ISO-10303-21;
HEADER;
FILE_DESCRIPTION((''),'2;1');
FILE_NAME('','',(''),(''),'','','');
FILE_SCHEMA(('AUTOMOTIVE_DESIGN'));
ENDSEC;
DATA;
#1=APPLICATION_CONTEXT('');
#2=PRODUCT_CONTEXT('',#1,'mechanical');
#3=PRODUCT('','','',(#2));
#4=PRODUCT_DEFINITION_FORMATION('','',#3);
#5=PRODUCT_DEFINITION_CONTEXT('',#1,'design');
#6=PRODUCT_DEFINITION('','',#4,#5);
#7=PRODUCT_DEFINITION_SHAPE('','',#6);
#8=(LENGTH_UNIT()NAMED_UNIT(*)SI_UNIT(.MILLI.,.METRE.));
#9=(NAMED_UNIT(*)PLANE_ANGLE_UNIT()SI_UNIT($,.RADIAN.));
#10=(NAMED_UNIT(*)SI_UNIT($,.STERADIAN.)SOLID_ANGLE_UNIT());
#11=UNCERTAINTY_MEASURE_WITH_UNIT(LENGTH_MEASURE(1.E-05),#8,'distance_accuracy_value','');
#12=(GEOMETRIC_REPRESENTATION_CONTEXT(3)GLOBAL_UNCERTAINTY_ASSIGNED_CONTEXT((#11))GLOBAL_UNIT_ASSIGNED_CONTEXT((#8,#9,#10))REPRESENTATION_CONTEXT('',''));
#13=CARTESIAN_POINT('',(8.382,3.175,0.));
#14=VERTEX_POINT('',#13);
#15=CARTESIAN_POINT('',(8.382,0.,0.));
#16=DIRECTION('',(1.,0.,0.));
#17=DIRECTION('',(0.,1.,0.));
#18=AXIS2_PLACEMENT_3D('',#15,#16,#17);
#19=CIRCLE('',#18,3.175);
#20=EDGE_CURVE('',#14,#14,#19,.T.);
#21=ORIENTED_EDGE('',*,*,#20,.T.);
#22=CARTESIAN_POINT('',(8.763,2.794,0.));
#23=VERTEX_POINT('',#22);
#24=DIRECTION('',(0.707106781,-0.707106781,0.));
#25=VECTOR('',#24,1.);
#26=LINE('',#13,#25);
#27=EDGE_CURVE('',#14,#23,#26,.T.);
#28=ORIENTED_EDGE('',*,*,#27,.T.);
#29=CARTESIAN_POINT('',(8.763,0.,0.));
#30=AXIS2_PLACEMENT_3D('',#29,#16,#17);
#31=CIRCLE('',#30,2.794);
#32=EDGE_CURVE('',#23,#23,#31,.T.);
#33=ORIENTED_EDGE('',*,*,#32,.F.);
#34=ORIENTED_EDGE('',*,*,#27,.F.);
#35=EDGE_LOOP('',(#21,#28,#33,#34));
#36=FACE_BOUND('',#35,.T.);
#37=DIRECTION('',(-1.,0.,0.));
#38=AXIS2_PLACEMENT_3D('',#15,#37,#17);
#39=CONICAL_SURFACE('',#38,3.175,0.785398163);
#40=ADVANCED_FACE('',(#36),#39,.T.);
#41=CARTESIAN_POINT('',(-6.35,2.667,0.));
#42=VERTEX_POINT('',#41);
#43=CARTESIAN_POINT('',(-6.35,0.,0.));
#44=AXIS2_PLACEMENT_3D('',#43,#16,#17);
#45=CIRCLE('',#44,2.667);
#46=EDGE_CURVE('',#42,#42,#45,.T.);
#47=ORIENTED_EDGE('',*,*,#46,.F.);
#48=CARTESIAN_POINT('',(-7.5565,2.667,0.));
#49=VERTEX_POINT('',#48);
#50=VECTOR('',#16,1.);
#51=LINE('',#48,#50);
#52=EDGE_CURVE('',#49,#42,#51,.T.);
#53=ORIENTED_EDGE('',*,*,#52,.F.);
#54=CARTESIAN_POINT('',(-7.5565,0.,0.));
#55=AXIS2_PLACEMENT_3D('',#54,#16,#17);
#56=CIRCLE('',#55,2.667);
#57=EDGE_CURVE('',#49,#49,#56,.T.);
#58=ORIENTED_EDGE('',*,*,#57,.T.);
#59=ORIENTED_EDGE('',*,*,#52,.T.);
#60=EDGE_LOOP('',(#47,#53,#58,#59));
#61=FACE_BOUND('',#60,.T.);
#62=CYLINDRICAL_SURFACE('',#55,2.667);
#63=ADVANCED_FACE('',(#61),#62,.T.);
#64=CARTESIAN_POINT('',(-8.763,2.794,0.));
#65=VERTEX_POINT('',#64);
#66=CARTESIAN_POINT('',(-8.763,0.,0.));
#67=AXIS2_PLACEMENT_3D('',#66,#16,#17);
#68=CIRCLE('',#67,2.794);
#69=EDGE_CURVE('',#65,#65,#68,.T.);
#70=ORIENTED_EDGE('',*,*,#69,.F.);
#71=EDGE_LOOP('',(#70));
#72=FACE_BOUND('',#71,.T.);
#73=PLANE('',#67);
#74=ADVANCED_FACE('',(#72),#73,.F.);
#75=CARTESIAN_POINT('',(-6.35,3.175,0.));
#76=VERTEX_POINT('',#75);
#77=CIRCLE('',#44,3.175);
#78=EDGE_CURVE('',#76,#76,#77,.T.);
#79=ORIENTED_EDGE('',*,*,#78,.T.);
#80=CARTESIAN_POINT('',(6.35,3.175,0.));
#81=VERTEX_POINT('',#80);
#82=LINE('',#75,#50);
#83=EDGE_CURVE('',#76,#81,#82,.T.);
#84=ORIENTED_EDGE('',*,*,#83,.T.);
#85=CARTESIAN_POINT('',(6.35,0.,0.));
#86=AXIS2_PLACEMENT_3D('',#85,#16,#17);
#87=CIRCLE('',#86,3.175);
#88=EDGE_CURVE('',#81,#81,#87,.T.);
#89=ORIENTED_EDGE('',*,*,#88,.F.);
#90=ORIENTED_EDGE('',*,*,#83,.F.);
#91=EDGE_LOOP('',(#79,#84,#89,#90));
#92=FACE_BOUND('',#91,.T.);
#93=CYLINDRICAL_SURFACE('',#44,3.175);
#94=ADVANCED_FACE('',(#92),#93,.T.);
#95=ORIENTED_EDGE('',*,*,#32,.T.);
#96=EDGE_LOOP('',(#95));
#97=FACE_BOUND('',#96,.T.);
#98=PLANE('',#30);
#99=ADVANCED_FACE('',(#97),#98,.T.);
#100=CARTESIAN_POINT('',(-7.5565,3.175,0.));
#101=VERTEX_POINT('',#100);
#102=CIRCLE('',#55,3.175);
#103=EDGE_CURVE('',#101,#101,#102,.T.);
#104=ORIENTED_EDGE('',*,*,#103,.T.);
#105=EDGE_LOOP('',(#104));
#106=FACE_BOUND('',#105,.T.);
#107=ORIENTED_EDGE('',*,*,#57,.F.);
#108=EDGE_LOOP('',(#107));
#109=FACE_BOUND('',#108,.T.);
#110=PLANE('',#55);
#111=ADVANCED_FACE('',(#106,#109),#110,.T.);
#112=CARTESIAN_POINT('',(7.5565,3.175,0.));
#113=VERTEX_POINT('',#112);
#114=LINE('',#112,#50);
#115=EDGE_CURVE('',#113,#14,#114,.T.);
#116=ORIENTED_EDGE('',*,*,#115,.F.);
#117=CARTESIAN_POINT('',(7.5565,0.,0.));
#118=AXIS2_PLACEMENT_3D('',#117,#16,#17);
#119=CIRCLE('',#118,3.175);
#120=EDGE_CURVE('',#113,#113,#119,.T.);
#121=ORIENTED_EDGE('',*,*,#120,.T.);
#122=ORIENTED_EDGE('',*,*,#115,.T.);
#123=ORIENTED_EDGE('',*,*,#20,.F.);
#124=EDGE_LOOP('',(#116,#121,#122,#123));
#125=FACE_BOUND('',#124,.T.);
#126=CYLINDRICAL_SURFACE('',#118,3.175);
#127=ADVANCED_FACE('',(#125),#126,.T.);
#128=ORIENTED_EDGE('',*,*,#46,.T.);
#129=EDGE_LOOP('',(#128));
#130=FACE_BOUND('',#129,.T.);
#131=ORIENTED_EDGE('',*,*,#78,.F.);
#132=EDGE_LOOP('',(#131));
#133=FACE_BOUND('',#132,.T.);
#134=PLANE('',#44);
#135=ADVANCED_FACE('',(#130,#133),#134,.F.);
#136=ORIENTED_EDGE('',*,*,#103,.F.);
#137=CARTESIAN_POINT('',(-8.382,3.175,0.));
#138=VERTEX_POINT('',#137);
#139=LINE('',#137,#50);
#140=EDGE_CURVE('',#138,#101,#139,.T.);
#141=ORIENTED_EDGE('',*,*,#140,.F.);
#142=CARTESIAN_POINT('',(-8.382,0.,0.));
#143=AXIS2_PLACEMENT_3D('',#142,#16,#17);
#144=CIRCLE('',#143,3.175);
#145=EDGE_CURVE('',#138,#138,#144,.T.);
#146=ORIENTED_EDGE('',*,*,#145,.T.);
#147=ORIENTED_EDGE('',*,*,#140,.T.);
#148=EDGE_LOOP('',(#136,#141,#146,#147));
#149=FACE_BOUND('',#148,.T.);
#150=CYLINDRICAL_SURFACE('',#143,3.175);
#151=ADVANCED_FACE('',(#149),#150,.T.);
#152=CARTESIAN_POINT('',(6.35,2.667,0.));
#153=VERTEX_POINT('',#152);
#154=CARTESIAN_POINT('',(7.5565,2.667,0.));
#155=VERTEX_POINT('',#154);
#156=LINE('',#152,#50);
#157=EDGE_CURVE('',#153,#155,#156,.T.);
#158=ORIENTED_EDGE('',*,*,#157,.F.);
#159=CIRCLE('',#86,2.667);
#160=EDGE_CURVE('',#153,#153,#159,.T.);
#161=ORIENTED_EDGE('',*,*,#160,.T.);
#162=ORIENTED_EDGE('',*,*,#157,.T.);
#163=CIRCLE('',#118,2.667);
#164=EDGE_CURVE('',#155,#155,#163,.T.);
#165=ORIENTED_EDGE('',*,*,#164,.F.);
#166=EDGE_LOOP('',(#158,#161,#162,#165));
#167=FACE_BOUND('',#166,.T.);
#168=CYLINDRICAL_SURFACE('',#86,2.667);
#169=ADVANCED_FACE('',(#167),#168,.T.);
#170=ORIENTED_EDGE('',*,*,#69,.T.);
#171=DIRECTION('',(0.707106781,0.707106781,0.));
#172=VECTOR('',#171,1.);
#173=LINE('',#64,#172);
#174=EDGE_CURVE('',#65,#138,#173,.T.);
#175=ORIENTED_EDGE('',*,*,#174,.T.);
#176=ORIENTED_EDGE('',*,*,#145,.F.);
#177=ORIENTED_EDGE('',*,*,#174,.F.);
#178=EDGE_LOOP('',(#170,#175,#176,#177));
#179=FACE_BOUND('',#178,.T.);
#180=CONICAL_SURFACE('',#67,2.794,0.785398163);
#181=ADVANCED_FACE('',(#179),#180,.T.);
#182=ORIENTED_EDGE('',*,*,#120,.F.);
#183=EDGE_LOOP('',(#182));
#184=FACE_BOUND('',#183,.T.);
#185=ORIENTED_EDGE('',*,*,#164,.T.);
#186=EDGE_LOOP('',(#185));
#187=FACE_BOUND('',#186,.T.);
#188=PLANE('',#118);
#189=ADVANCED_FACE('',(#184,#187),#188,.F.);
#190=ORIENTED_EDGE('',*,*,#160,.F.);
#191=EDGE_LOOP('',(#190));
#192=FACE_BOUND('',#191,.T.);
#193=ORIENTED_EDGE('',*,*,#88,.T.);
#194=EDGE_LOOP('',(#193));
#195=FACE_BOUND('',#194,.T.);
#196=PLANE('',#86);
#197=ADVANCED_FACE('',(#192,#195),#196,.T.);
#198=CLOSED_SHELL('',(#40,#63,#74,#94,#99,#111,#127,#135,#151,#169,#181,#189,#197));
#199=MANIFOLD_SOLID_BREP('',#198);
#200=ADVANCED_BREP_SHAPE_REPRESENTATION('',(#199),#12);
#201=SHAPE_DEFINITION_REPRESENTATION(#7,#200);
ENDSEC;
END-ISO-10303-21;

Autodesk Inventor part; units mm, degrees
sketch "Sketch_1" plane through (0, 0, 0) normal (0, 0, 1) x (1, 0, 0)
  line L0 (8.763, 0) -> (-8.763, 0)
  line L1 (-8.763, 0) -> (-8.763, 2.794)
  line L2 (-8.763, 2.794) -> (-8.382, 3.175)
  line L3 (-8.382, 3.175) -> (-7.5565, 3.175)
  line L4 (-7.5565, 3.175) -> (-7.5565, 2.667)
  line L5 (-7.5565, 2.667) -> (-6.35, 2.667)
  line L6 (-6.35, 2.667) -> (-6.35, 3.175)
  line L7 (-6.35, 3.175) -> (6.35, 3.175)
  line L8 (6.35, 3.175) -> (6.35, 2.667)
  line L9 (6.35, 2.667) -> (7.5565, 2.667)
  line L10 (7.5565, 2.667) -> (7.5565, 3.175)
  line L11 (7.5565, 3.175) -> (8.382, 3.175)
  line L12 (8.382, 3.175) -> (8.763, 2.794)
  line L13 (8.763, 2.794) -> (8.763, 0)
  line L14 (8.763, 0) -> (-8.763, 0)
revolve "Revolution1" add sketch "Sketch_1" angle 360 about axis through (8.763, 0, 0) along (1, 0, 0)
ref_plane "p1_XY" through (0, 0, 3.175) normal (1, 0, 0) x (0, 0, -1)
ref_plane "p1_YZ" through (0, 0, 3.175) normal (0, 0, -1) x (0, 1, 0)
ref_plane "p1_ZX" through (0, 0, 3.175) normal (0, 1, 0) x (1, 0, 0)
ref_plane "p2_XY" through (0, 0, -3.175) normal (1, 0, 0) x (0, 0, -1)
ref_plane "p2_YZ" through (0, 0, -3.175) normal (0, 0, -1) x (0, 1, 0)
ref_plane "p2_ZX" through (0, 0, -3.175) normal (0, 1, 0) x (1, 0, 0)
ref_plane "pin_XY" through (0, 0, 0) normal (1, 0, 0) x (0, 0, -1)
ref_plane "pin_YZ" through (0, 0, 0) normal (0, 0, -1) x (0, 1, 0)
ref_plane "pin_ZX" through (0, 0, 0) normal (0, 1, 0) x (1, 0, 0)
ref_plane "rr1_XY" through (6.9532, 0, 0) normal (1, 0, 0) x (0, 0, -1)
ref_plane "rr1_YZ" through (6.9532, 0, 0) normal (0, 0, -1) x (0, 1, 0)
ref_plane "rr1_ZX" through (6.9532, 0, 0) normal (0, 1, 0) x (1, 0, 0)
ref_plane "rr2_XY" through (-6.9532, 0, 0) normal (1, 0, 0) x (0, 0, -1)
ref_plane "rr2_YZ" through (-6.9532, 0, 0) normal (0, 0, -1) x (0, 1, 0)
ref_plane "rr2_ZX" through (-6.9532, 0, 0) normal (0, 1, 0) x (1, 0, 0)
ref_plane "w21_XY" through (8.763, 0, 0) normal (0, 1, 0) x (1, 0, 0)
ref_plane "w21_YZ" through (8.763, 0, 0) normal (1, 0, 0) x (0, 0, -1)
ref_plane "w21_ZX" through (8.763, 0, 0) normal (0, 0, -1) x (0, 1, 0)
ref_plane "w22_XY" through (-8.763, 0, 0) normal (0, 1, 0) x (1, 0, 0)
ref_plane "w22_YZ" through (-8.763, 0, 0) normal (1, 0, 0) x (0, 0, -1)
ref_plane "w22_ZX" through (-8.763, 0, 0) normal (0, 0, -1) x (0, 1, 0)
properties part number "D-8381" material "Aluminum 6061"
